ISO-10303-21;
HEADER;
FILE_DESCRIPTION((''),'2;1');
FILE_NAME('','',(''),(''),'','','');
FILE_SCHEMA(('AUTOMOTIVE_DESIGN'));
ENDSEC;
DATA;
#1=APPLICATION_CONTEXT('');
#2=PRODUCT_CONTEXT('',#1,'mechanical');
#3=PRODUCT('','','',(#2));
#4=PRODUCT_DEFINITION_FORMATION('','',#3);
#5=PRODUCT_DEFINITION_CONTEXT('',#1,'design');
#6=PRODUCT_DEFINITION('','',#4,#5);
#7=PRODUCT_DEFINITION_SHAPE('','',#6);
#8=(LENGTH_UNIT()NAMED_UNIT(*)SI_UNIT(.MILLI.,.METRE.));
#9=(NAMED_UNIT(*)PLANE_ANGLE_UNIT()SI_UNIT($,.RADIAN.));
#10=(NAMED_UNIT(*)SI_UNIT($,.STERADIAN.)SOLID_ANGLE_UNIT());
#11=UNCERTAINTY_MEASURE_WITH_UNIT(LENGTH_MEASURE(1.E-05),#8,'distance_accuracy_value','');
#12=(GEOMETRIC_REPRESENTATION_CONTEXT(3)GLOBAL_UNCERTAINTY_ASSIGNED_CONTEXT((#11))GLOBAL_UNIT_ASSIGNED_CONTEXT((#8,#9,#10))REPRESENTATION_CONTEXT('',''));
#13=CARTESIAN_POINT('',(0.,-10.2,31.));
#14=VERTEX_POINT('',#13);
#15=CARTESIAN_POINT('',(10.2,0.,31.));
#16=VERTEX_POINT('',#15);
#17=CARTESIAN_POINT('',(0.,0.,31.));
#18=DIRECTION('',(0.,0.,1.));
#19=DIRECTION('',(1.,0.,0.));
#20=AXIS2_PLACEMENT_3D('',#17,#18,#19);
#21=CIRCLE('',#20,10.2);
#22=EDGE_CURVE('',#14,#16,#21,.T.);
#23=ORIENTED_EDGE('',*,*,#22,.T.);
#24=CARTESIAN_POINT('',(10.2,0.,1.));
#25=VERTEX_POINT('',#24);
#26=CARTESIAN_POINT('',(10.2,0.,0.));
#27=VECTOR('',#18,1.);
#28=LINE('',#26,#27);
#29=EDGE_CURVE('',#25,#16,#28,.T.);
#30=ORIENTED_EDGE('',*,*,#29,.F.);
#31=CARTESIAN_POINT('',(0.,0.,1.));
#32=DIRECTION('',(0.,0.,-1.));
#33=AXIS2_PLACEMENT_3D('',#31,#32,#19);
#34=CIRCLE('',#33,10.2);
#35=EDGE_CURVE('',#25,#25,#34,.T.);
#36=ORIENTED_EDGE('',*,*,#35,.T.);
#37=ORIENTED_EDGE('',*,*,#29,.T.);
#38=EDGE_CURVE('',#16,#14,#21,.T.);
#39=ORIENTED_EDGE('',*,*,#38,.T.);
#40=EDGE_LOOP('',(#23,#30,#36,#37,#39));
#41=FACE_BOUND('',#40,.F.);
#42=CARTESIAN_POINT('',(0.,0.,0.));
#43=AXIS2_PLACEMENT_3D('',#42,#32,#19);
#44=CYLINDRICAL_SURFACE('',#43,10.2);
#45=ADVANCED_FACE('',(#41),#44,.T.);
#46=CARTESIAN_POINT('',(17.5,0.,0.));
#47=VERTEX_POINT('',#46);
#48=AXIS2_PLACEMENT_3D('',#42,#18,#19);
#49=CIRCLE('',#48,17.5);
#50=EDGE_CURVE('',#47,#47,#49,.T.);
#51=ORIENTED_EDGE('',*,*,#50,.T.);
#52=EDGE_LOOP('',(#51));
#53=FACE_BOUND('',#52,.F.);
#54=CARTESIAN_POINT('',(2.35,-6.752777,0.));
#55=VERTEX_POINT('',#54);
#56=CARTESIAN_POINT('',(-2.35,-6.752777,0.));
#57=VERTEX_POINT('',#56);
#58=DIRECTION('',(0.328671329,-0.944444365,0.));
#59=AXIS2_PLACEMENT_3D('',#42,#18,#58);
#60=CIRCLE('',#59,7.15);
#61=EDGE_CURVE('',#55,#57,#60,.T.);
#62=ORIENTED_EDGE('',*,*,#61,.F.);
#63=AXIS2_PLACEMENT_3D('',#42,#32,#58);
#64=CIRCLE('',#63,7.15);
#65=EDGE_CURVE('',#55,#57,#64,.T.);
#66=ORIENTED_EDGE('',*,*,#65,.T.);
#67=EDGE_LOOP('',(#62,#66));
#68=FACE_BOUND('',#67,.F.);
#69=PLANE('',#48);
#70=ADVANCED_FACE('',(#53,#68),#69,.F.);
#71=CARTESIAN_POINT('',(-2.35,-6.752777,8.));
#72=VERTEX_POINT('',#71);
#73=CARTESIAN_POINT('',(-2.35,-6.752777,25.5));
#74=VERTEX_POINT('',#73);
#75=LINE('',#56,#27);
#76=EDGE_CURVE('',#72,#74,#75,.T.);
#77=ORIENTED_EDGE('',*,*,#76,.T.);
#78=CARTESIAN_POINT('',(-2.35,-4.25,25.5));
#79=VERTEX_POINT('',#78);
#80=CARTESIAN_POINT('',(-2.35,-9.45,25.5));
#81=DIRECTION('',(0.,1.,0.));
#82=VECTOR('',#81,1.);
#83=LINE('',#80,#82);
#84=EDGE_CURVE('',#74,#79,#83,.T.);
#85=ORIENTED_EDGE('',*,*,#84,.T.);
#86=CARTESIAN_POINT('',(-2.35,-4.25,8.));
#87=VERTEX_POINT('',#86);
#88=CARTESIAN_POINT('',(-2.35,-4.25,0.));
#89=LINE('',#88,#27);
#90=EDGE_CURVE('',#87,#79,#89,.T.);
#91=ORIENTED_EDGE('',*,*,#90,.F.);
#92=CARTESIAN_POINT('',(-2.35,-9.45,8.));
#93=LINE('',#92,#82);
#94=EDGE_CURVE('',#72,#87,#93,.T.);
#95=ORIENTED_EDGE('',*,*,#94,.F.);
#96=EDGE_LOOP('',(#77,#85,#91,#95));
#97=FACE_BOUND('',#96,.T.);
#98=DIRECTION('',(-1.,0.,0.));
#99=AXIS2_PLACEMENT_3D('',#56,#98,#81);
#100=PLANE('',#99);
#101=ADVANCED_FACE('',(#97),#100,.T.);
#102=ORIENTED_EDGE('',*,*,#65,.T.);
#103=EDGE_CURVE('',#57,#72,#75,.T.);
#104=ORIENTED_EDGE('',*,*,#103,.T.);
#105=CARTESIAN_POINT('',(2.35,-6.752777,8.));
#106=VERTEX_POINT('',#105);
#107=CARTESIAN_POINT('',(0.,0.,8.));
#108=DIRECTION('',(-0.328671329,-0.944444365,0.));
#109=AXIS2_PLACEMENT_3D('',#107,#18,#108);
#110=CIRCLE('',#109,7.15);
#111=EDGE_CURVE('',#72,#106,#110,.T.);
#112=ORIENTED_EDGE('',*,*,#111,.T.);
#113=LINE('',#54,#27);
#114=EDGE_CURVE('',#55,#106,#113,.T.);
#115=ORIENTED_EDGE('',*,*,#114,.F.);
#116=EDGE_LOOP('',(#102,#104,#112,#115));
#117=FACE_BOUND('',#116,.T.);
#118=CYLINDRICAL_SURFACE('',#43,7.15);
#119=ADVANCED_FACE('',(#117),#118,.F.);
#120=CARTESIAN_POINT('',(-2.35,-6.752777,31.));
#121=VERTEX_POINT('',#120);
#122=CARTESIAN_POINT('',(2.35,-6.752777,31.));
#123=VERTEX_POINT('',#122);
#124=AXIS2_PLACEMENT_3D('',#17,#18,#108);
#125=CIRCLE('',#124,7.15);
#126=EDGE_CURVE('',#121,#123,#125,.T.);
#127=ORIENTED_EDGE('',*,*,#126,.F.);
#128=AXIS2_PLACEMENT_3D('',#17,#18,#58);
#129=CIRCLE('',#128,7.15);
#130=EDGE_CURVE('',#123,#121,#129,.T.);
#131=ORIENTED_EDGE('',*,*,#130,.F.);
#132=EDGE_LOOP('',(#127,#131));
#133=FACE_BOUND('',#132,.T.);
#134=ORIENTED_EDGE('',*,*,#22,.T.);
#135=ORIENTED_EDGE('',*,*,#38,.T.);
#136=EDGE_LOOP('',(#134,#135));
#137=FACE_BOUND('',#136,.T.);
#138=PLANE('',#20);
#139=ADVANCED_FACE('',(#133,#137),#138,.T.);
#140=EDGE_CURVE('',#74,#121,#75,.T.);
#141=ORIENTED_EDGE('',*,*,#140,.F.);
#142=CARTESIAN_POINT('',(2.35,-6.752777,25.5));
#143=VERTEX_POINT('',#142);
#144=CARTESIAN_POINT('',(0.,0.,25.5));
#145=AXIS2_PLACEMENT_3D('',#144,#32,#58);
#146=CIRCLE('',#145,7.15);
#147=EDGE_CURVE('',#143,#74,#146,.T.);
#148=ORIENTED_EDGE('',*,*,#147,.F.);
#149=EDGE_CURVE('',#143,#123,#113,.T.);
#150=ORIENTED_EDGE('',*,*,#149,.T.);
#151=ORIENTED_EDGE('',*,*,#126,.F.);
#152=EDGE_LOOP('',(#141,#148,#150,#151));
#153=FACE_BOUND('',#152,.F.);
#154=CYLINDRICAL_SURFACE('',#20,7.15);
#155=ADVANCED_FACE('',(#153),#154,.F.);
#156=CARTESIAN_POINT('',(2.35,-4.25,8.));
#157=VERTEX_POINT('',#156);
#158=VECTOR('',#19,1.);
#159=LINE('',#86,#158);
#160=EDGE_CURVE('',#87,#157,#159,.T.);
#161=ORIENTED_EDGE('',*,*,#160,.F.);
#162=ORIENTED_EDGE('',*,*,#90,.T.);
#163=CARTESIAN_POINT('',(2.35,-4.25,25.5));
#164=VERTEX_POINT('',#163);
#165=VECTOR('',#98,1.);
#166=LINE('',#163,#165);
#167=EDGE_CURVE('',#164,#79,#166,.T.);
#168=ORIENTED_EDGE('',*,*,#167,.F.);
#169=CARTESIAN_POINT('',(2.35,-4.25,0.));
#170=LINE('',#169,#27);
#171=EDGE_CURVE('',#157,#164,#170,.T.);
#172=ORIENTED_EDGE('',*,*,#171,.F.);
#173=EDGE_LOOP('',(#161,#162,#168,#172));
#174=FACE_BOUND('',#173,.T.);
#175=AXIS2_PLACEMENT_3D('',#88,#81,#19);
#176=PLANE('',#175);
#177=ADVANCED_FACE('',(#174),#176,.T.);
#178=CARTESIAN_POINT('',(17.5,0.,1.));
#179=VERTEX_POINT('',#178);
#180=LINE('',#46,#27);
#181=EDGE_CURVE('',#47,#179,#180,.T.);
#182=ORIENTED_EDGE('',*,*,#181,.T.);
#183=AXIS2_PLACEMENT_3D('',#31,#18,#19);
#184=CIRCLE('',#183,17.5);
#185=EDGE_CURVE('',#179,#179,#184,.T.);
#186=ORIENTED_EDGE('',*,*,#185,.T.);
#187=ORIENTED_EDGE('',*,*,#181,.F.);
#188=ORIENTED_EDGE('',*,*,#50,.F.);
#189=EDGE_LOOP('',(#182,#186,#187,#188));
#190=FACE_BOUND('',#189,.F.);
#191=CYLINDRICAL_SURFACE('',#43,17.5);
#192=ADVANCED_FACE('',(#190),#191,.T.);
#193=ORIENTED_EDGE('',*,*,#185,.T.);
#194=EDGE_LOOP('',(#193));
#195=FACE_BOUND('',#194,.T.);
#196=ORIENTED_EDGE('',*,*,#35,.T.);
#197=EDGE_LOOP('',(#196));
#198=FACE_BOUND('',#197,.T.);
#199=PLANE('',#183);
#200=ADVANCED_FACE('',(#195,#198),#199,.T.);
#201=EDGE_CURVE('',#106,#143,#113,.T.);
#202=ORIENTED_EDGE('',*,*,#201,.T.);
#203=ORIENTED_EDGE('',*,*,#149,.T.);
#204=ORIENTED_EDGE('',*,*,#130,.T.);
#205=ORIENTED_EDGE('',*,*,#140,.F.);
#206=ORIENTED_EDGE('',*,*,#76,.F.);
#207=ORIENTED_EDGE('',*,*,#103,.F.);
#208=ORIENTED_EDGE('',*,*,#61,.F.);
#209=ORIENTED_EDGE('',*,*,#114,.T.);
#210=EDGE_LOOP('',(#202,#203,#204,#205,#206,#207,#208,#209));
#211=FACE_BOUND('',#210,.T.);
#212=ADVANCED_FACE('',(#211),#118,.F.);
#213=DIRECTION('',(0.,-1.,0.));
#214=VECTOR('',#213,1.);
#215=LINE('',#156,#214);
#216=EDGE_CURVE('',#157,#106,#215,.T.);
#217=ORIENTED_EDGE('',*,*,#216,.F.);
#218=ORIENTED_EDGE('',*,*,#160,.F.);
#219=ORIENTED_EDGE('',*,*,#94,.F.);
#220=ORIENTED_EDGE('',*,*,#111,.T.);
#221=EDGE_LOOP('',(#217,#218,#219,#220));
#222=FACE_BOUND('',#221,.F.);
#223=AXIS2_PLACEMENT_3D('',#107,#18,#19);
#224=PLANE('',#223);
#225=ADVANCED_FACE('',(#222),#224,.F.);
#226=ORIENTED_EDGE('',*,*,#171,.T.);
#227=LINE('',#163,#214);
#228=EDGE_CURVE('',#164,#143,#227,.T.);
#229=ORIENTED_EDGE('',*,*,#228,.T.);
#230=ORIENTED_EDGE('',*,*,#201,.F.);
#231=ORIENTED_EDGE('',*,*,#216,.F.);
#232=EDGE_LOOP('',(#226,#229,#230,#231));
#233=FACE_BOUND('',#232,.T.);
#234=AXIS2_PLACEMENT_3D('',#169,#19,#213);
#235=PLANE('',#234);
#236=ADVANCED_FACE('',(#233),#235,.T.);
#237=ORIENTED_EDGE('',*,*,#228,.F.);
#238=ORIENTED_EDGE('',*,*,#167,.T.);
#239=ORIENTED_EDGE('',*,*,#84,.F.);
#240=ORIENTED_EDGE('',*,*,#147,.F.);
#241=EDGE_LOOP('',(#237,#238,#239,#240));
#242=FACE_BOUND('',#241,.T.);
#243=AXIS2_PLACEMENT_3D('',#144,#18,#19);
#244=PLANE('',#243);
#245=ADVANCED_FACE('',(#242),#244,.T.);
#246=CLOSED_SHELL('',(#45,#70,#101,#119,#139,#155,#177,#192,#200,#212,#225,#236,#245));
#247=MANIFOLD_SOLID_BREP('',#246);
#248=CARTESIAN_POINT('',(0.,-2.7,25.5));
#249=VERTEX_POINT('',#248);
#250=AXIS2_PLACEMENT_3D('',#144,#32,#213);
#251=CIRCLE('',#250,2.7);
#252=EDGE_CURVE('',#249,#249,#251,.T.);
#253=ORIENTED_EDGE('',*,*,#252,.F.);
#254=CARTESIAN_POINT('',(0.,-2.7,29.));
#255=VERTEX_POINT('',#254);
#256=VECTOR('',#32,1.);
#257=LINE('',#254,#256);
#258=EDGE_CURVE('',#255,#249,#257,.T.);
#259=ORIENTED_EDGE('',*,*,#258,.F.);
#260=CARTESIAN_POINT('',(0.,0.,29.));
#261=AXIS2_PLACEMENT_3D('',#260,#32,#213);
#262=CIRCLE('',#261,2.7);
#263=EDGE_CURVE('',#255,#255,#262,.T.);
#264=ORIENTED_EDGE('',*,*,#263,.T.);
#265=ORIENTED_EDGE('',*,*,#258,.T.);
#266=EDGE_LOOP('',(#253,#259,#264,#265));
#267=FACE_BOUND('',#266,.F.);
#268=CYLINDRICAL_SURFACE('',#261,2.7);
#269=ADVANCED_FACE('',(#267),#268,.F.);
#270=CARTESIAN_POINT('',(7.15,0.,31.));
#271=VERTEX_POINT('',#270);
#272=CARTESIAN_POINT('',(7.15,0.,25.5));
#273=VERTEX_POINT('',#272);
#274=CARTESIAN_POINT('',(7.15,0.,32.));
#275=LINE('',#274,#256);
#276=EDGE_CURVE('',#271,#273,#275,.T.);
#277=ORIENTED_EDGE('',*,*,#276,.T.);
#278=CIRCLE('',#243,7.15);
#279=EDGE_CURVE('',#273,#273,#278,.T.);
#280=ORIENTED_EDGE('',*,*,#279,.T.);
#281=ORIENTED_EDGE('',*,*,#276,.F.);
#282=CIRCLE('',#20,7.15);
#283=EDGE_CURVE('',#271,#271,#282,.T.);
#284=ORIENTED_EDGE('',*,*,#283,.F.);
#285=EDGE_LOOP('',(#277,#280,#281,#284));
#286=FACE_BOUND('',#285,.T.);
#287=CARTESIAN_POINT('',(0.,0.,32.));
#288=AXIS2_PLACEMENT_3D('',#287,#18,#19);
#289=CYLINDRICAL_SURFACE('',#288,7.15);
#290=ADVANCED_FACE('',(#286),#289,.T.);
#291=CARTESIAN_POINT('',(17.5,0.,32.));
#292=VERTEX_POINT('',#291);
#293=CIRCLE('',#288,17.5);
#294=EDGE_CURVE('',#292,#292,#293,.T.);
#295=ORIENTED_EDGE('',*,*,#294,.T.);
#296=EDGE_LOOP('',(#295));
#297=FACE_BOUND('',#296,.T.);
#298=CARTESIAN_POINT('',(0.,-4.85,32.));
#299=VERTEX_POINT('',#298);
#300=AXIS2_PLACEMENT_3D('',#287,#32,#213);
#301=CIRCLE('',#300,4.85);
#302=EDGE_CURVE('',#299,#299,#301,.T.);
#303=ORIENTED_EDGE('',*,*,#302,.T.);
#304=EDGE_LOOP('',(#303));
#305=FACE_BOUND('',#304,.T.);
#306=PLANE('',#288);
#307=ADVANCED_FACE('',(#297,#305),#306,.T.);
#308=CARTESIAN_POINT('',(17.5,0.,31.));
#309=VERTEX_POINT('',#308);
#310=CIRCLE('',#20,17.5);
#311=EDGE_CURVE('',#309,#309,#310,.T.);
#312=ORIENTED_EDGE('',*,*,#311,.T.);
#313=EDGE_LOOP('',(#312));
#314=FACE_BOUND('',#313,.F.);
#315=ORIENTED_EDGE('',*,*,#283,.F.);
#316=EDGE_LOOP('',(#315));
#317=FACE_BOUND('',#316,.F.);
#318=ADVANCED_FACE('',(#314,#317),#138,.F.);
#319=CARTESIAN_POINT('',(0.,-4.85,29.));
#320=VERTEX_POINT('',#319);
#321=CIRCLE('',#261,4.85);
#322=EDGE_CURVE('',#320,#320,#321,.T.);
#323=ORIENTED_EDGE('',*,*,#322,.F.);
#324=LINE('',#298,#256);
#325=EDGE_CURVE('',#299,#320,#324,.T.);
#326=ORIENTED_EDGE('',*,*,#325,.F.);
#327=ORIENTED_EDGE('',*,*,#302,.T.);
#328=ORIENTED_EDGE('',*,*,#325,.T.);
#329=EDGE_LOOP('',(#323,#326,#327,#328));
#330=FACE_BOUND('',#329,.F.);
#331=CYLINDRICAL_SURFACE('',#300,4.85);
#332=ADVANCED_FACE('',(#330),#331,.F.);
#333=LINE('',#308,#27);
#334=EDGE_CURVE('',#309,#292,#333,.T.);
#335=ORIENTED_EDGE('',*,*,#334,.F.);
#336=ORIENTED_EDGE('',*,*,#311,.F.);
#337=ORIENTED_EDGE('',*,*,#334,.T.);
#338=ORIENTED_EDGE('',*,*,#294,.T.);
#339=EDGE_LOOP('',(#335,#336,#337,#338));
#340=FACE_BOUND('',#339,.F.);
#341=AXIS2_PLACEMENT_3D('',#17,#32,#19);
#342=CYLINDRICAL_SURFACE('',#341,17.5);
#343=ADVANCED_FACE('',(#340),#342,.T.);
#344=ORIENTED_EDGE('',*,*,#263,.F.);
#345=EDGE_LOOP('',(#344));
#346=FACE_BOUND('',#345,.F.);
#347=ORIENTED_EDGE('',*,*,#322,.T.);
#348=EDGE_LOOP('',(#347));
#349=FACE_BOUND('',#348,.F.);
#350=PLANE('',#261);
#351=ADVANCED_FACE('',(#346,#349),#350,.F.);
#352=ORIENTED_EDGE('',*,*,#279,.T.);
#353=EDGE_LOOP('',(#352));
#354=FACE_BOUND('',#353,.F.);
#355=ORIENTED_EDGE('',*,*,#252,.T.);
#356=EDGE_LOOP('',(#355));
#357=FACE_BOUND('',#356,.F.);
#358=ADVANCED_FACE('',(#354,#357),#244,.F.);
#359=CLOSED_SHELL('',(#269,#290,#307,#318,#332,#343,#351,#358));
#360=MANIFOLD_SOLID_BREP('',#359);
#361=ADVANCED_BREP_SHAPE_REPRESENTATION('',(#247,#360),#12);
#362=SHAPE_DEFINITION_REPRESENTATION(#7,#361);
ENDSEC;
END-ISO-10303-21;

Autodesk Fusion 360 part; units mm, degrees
sketch "Sketch1" plane through (0, 0, 0) normal (0, 0, 1) x (1, 0, 0)
  circle A0 centre (0, 0) radius 10.2
  line L0 (2.35, -4.25) -> (2.35, -9.45)
  line L1 (-2.35, -4.25) -> (2.35, -4.25)
  line L2 (-2.35, -4.25) -> (2.35, -9.45) construction
  line L3 (2.35, -9.45) -> (-2.35, -9.45)
  line L4 (2.35, -4.25) -> (-2.35, -9.45) construction
  line L5 (-2.35, -9.45) -> (-2.35, -4.25)
  circle A1 centre (0, 0) radius 7.15
  circle A2 centre (0, 0) radius 17.5
  line L6 (0, 0) -> (0, -12)
  point P0 (0, -6.85)
  dimension "d1" = 20.4
  dimension "d2" = 4.7
  dimension "d3" = 5.2
  dimension "d4" = 14.3
  dimension "d5" = 2.9
  dimension "d10" = 35
extrude "Extrude1" add sketch "Sketch1" along normal blind 31 contours L3 L5 A1 L6 | L0 L3 A1 L6 | A0 | L0 L1 A1 L6 | L1 L5 A1 L6 makes body 1
extrude "Extrude2" add sketch "Sketch1" along normal blind 1 contours A2 bodies 1
extrude "Extrude3" add sketch "Sketch1" along normal blind 1 from surface at 31 separate body contours L3 L5 A1 L6 | L0 L3 A1 L6 | A0 | L0 L1 A1 L6 | L1 L5 A1 L6 | A2 makes body 2
extrude "Extrude4" add sketch "Sketch1" against normal blind 6.5 from surface at 32 separate body contours L0 L1 A1 L6 | L1 L5 A1 L6 | L0 L1 L5 A1 makes body 3
combine "Combine1" operation add target body 2 tool bodies 3
move_face "OffsetFaces1" [suppressed]
sketch "Sketch2" plane through (0, 0, 32) normal (0, 0, 1) x (-1, 0, 0)
  circle A0 centre (0, 0) radius 17.5
  circle A1 centre (0, 0) radius 3
extrude "Extrude5" cut sketch "Sketch1" against normal blind 5.5 from surface at 31 contours L0 L1 A1 L6 | L1 L5 A1 L6 bodies 1
hole "Hole1" at (0, 0, 32) direction (0, 0, -1) diameter 5.4 depth 15 tip angle 118 counterbore diameter 9.7 counterbore depth 3 bodies 1 2
extrude "Extrude6" cut sketch "Sketch1" along normal blind 8 contours L0 L1 A1 L6 | L1 L5 A1 L6 bodies 1
